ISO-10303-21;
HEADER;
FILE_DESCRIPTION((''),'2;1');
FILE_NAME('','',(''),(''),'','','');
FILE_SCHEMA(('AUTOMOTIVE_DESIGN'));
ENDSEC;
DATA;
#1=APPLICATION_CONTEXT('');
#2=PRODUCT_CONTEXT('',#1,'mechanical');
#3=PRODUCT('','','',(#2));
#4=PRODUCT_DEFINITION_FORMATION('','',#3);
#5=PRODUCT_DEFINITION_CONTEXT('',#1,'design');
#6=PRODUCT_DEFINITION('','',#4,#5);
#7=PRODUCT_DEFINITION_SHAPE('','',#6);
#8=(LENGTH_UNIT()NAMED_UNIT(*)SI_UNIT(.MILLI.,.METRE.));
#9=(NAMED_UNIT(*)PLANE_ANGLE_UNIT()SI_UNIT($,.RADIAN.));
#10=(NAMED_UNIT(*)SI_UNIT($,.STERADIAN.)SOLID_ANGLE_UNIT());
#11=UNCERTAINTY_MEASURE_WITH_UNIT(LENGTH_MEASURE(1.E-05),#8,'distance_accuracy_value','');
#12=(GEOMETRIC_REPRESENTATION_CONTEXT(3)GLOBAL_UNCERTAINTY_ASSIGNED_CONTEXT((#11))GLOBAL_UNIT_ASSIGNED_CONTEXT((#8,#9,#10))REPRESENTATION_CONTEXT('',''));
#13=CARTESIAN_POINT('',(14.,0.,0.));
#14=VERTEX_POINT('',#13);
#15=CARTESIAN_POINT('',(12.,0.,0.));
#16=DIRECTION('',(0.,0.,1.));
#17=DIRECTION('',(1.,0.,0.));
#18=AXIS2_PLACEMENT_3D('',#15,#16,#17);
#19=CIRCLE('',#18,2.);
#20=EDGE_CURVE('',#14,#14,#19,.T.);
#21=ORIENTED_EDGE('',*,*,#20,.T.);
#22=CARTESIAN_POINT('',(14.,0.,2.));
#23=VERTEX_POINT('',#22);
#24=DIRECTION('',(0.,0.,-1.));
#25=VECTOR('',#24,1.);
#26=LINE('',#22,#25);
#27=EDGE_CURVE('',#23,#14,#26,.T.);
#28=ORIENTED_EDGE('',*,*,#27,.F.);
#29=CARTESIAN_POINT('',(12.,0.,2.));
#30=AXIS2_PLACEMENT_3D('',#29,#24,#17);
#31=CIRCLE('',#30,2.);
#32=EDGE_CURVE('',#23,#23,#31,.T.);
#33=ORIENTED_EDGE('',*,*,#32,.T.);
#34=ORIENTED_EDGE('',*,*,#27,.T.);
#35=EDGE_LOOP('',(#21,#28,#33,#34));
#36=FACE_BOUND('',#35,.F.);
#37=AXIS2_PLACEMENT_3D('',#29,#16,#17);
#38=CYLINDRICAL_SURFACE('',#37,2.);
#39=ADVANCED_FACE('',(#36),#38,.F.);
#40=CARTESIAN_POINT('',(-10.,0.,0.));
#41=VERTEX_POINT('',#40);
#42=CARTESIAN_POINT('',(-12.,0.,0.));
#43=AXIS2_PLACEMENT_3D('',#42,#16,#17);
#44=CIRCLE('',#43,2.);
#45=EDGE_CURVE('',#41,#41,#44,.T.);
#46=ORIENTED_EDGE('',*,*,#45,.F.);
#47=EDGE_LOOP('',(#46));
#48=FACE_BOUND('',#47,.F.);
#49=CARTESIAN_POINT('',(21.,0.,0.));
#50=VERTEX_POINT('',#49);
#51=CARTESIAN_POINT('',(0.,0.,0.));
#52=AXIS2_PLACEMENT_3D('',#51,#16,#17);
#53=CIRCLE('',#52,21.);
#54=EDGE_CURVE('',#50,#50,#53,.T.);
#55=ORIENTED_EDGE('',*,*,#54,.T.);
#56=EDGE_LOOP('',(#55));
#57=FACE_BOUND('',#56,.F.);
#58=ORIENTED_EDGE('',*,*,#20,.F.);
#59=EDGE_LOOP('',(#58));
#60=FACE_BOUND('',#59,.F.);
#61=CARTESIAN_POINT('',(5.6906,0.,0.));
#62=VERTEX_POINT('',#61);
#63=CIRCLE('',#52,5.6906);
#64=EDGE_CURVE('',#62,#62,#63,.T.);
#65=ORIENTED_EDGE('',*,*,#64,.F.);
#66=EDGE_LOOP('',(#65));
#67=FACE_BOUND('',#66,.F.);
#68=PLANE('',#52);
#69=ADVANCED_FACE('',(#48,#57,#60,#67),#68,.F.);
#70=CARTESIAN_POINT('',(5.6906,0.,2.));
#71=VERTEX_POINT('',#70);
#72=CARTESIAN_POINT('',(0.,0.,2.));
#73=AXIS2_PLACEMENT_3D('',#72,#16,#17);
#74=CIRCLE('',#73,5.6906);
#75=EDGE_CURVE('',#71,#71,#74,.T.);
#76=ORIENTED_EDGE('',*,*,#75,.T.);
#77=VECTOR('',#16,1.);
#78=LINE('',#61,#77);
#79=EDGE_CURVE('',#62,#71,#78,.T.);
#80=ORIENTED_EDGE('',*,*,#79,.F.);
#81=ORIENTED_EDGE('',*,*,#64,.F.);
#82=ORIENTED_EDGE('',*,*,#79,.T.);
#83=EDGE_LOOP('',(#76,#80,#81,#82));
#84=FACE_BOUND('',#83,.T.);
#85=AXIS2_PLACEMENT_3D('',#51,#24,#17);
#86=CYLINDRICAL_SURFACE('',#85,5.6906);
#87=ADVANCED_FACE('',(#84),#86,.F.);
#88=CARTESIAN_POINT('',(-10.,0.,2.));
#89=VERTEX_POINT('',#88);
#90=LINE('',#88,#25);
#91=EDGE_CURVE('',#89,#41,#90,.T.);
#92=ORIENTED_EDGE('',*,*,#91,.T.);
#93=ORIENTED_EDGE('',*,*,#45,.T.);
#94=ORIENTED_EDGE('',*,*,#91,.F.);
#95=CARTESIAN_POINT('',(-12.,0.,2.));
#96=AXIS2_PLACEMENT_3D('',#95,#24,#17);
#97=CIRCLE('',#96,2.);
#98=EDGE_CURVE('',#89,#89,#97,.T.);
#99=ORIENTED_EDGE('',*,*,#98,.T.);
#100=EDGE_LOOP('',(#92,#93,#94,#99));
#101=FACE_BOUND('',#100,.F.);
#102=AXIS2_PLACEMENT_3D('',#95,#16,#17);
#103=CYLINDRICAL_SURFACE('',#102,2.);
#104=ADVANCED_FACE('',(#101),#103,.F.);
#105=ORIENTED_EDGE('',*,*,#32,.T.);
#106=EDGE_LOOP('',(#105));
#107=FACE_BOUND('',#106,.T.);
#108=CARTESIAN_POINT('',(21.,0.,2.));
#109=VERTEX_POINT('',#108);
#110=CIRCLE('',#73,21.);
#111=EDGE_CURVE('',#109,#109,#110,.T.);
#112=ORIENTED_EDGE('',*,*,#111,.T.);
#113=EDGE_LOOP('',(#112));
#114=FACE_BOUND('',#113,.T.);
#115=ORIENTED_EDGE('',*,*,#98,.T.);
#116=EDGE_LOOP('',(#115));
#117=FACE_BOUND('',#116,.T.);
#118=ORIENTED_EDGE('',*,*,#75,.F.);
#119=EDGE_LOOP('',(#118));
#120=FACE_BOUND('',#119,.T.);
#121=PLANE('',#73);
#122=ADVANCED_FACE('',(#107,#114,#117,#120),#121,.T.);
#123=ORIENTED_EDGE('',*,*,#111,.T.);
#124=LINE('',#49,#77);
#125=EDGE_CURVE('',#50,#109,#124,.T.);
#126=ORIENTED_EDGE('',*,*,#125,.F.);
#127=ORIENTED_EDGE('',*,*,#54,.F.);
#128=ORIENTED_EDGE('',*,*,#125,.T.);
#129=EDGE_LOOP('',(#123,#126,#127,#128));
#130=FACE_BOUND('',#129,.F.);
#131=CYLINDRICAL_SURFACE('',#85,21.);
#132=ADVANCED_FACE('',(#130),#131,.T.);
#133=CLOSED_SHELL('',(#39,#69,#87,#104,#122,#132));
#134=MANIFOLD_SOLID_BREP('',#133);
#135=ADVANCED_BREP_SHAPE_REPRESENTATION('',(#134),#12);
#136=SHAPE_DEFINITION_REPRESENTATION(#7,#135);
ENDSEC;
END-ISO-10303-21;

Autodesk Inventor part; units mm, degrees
ref_plane "YZ Plane" through (0, 0, 0) normal (1, 0, 0) x (0, 1, 0)
ref_plane "XZ Plane" through (0, 0, 0) normal (0, 1, 0) x (-1, 0, 0)
ref_plane "XY Plane" through (0, 0, 0) normal (0, 0, 1) x (1, 0, 0)
sketch "Sketch1" plane through (0, 0, 0) normal (0, 0, 1) x (1, 0, 0)
  circle A0 centre (0, 0) radius 5.6906
  circle A1 centre (0, 0) radius 21
  dimension "d0" = 42
extrude "Extrusion1" add sketch "Sketch1" along normal blind 2
sketch "Sketch2" plane through (0, 0, 2) normal (0, 0, 1) x (1, 0, 0)
  circle A0 centre (0, 0) radius 12
  circle A1 centre (-12, 0) radius 2
  circle A2 centre (12, 0) radius 2
  dimension "d3" = 24
  dimension "d4" = 4
  dimension "d5" = 4
extrude "Extrusion2" cut sketch "Sketch2" against normal through all contours A0 A2 | A0 A2 | A1 A0 | A0 A1
properties part number "AlatetMotor"
